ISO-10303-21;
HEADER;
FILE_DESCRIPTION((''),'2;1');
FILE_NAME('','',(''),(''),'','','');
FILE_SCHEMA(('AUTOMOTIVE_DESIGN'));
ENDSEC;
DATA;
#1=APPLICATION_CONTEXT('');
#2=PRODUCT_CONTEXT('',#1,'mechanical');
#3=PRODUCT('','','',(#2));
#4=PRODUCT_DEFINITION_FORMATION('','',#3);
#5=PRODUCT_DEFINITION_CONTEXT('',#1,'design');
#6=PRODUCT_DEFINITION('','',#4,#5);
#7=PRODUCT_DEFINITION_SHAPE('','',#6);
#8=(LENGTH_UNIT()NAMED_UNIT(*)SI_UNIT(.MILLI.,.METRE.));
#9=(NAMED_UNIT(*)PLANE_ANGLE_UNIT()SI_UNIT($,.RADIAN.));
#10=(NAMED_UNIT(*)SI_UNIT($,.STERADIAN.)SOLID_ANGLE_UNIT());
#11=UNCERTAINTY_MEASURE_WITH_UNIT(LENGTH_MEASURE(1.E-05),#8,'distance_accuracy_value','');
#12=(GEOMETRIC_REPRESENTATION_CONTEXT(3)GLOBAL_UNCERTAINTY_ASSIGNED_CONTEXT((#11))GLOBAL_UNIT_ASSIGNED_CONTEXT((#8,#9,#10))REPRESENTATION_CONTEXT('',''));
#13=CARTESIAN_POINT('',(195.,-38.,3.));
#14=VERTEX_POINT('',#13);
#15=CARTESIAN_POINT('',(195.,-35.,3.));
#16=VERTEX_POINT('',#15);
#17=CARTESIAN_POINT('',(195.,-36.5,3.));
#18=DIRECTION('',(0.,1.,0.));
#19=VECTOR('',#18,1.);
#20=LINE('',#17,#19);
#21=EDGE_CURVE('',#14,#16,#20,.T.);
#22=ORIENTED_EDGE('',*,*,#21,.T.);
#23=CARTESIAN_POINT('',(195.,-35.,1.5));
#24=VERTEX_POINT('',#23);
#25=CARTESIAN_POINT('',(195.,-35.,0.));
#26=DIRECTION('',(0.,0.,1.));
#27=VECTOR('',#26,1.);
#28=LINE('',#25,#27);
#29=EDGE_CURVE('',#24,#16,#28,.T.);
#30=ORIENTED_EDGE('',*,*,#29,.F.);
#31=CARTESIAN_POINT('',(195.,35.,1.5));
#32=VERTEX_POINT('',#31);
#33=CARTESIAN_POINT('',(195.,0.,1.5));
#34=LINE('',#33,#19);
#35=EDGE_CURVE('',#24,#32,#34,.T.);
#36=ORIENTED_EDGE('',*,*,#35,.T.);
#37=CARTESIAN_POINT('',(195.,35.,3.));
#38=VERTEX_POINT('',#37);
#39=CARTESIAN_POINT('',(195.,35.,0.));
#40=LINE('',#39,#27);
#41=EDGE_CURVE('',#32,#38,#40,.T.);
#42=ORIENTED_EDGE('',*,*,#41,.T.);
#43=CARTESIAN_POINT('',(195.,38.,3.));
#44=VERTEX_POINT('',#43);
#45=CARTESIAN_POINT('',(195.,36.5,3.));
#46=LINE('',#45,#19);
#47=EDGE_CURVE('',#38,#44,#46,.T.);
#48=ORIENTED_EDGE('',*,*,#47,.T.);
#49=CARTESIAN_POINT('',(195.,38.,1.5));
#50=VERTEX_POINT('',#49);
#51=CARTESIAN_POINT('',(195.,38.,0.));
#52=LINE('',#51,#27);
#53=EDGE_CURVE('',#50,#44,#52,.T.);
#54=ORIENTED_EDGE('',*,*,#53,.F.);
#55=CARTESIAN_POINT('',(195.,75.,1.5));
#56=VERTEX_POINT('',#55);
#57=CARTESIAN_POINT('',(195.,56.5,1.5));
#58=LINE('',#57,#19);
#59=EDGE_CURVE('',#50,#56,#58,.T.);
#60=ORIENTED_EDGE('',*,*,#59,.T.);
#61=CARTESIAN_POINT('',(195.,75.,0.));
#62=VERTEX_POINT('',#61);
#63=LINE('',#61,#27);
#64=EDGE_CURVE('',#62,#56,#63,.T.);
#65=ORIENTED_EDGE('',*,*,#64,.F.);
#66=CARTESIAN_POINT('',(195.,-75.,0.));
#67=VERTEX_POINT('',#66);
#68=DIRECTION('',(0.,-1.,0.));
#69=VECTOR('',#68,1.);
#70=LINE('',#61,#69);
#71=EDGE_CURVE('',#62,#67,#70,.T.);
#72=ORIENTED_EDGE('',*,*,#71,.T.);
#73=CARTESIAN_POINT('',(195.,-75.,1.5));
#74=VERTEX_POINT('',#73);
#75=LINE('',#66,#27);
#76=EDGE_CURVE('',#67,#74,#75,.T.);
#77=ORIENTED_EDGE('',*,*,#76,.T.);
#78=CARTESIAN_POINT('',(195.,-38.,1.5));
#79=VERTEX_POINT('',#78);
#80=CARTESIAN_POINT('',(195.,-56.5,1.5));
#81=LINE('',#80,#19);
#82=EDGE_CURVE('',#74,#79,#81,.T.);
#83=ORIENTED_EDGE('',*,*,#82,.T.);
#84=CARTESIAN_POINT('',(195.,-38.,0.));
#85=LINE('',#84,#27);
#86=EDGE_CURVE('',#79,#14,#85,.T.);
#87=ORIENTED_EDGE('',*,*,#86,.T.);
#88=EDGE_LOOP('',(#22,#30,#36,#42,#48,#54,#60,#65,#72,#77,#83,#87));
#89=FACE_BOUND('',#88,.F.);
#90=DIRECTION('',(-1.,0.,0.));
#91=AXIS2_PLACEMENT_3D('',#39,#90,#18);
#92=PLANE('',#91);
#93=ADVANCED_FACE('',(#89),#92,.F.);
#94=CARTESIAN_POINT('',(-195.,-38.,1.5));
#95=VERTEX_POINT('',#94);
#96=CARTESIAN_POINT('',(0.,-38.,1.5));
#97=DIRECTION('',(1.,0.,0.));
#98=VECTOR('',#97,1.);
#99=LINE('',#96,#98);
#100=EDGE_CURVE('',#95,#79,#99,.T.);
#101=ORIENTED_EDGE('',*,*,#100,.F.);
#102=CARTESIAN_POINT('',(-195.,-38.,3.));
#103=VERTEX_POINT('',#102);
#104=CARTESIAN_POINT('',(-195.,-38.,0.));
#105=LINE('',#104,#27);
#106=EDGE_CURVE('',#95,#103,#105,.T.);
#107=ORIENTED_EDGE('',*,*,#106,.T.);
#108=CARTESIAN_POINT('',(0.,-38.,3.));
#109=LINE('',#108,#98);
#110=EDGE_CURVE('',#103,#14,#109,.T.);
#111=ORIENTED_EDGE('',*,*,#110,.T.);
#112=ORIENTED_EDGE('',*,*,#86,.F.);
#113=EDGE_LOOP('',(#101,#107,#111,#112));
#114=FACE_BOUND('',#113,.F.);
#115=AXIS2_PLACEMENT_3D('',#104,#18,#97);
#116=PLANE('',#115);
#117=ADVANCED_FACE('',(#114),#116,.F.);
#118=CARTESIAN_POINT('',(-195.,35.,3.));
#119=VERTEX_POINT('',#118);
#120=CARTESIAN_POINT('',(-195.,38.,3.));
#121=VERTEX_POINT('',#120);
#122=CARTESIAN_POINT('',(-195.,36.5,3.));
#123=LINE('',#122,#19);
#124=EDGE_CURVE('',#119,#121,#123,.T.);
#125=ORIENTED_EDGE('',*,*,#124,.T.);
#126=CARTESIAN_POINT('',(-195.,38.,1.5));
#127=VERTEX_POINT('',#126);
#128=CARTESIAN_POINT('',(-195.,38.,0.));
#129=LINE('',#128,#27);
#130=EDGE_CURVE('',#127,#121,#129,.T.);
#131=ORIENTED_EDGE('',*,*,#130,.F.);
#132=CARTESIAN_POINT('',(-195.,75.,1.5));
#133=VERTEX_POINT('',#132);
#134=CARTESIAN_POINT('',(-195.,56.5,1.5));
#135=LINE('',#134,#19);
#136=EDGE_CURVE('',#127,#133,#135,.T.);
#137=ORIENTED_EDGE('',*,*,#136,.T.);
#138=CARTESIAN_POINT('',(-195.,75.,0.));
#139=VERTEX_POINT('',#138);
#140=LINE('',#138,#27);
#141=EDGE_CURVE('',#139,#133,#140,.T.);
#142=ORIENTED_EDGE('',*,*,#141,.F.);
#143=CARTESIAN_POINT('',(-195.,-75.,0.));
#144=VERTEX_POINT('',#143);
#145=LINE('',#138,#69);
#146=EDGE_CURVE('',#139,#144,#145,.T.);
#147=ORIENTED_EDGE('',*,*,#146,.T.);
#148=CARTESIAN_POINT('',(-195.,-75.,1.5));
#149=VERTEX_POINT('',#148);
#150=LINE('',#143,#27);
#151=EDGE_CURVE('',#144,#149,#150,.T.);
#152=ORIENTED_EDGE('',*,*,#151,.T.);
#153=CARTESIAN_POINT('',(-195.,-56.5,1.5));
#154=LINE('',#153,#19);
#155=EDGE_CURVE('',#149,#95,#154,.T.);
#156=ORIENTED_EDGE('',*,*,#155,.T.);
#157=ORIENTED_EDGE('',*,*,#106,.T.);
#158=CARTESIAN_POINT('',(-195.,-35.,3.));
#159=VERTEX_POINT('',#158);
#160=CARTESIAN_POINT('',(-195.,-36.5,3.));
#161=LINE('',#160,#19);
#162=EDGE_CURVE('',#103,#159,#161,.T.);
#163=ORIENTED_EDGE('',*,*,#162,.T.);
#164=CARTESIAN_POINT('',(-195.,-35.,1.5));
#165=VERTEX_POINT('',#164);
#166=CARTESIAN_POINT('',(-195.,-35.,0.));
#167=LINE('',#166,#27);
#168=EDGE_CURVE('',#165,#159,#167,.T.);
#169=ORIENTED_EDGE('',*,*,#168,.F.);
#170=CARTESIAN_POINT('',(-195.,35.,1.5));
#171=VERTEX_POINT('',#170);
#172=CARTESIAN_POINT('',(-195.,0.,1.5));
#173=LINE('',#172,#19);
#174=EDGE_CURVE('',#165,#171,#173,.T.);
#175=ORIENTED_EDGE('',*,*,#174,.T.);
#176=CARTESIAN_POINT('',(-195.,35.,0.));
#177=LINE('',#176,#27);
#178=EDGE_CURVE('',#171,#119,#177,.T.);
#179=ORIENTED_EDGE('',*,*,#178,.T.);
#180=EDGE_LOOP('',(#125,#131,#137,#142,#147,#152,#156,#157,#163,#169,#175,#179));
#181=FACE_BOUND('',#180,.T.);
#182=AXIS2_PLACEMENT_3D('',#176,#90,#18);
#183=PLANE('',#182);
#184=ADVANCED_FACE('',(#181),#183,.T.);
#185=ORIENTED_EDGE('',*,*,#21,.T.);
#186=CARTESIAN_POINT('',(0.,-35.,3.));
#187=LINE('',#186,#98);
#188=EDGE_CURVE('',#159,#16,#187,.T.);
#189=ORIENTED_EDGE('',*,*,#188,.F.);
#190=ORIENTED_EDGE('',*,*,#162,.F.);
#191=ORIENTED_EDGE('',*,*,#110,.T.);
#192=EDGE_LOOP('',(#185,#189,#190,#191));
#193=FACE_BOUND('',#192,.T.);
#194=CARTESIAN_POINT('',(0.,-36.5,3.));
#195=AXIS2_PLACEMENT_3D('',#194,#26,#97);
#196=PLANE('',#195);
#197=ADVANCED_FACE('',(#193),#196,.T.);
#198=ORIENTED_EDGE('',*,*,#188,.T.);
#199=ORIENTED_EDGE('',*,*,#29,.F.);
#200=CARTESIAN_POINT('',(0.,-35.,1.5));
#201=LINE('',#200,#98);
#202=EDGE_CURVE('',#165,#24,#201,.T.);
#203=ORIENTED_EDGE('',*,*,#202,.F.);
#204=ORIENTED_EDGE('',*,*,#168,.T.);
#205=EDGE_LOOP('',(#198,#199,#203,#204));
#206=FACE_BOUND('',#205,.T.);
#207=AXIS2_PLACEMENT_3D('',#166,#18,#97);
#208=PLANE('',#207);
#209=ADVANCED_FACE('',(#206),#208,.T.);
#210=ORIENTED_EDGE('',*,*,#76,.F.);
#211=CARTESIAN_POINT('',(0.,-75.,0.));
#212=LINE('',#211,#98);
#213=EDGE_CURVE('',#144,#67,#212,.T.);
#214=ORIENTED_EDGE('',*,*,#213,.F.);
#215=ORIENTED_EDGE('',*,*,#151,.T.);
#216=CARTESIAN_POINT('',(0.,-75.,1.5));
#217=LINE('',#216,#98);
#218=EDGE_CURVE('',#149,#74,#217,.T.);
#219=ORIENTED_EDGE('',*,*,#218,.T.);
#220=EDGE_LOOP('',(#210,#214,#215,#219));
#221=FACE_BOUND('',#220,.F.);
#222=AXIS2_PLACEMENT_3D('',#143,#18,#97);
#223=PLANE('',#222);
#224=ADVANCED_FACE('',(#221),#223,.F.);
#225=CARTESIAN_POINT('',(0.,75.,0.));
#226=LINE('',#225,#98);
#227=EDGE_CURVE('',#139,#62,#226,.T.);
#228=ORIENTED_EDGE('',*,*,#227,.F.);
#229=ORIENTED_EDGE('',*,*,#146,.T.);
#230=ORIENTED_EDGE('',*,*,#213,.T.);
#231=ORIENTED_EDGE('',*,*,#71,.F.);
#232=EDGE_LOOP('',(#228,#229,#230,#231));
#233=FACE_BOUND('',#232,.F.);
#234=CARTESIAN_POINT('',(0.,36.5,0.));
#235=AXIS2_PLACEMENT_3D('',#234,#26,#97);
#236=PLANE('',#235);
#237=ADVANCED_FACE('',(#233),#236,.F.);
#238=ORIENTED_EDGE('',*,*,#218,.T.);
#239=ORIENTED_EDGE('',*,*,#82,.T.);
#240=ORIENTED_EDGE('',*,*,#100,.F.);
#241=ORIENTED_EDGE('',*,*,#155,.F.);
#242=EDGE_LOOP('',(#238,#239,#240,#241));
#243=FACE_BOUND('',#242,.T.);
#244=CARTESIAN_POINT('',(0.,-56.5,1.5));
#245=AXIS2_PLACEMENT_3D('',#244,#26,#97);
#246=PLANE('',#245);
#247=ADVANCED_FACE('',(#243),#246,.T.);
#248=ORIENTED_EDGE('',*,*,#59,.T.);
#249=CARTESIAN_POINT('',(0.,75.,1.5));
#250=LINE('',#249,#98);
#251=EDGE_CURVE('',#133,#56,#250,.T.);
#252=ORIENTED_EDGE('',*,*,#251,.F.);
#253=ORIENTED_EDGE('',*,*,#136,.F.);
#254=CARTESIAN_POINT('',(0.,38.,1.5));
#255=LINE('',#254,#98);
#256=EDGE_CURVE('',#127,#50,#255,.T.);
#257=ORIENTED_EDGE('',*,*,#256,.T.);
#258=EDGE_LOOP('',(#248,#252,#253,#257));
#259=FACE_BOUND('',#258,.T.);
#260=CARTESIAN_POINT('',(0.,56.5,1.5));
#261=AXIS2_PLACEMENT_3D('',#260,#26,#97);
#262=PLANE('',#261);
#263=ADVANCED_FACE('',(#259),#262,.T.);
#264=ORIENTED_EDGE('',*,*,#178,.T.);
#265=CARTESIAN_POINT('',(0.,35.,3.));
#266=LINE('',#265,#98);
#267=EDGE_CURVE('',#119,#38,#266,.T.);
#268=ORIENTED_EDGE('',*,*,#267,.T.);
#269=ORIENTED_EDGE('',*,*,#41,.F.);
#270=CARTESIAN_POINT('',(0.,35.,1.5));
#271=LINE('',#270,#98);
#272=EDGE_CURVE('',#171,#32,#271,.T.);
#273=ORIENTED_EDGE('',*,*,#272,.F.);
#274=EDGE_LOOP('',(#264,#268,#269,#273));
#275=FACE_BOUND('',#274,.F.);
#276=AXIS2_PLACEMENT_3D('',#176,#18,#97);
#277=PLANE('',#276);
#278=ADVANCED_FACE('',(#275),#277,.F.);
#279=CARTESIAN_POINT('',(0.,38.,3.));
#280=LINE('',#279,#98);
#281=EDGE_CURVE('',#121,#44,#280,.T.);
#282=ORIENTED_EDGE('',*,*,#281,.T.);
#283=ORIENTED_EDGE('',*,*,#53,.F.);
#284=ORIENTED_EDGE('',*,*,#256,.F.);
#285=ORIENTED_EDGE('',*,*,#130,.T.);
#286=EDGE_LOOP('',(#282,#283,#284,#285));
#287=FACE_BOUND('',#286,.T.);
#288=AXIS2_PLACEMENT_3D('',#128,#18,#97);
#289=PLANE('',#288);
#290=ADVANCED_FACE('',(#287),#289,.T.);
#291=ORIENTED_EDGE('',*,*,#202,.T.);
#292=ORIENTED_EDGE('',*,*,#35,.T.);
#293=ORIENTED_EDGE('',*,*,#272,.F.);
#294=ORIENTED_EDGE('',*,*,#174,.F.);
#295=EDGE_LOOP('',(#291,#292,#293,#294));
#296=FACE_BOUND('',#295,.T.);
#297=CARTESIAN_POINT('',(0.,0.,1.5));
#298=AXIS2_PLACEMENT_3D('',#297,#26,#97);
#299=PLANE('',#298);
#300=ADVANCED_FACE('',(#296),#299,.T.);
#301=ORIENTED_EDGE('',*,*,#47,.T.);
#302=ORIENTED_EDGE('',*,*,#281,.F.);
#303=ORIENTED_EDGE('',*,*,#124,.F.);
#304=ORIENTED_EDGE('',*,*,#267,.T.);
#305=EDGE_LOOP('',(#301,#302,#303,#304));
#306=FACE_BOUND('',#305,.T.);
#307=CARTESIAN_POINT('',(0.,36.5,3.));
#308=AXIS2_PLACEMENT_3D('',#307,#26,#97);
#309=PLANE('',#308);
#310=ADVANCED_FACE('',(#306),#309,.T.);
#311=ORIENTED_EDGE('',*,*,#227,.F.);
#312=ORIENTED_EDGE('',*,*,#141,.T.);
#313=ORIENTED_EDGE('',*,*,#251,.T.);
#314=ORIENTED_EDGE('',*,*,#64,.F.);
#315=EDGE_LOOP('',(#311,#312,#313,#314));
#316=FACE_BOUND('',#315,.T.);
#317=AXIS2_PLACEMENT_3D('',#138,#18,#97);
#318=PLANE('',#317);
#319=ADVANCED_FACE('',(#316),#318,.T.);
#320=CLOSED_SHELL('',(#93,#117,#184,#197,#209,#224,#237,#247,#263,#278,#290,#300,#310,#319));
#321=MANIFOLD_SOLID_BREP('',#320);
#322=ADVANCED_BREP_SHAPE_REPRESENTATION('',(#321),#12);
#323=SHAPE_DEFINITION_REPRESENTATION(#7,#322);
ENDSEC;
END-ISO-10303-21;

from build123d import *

# Parameters (mm, degrees)
F0_W     = 390
F0_H     = 37
F1_DEPTH = 1.5
F0_H_2   = 70
F0_H_3   = 3
F2_DEPTH = 3


with BuildPart() as f1:
    # F0 (on Top) → F1 (new body)
    with BuildSketch(Plane.XY):
        with Locations((0, 56.5)):
            Rectangle(F0_W, F0_H)
    extrude(amount=F1_DEPTH)



with BuildPart() as f1b:
    # F0 (on Top) → F1, piece 2 (new body)
    with BuildSketch(Plane.XY):
        Rectangle(F0_W, F0_H_2)
    extrude(amount=F1_DEPTH)


with BuildPart() as f1c:
    # F0 (on Top) → F1, piece 3 (new body)
    with BuildSketch(Plane.XY):
        with Locations((0, -56.5)):
            Rectangle(F0_W, F0_H)
    extrude(amount=F1_DEPTH)


with BuildPart() as f1_1:
    add(f1.part)

    add(f1b.part)  # F2 merges F1b

    add(f1c.part)  # F2 merges F1c
    # F0 (on Top) → F2 (join)
    with BuildSketch(Plane.XY):
        with Locations((0, 36.5)):
            Rectangle(F0_W, F0_H_3)
        with Locations((0, -36.5)):
            Rectangle(F0_W, F0_H_3)
    extrude(amount=F2_DEPTH)


solid = f1_1.part
